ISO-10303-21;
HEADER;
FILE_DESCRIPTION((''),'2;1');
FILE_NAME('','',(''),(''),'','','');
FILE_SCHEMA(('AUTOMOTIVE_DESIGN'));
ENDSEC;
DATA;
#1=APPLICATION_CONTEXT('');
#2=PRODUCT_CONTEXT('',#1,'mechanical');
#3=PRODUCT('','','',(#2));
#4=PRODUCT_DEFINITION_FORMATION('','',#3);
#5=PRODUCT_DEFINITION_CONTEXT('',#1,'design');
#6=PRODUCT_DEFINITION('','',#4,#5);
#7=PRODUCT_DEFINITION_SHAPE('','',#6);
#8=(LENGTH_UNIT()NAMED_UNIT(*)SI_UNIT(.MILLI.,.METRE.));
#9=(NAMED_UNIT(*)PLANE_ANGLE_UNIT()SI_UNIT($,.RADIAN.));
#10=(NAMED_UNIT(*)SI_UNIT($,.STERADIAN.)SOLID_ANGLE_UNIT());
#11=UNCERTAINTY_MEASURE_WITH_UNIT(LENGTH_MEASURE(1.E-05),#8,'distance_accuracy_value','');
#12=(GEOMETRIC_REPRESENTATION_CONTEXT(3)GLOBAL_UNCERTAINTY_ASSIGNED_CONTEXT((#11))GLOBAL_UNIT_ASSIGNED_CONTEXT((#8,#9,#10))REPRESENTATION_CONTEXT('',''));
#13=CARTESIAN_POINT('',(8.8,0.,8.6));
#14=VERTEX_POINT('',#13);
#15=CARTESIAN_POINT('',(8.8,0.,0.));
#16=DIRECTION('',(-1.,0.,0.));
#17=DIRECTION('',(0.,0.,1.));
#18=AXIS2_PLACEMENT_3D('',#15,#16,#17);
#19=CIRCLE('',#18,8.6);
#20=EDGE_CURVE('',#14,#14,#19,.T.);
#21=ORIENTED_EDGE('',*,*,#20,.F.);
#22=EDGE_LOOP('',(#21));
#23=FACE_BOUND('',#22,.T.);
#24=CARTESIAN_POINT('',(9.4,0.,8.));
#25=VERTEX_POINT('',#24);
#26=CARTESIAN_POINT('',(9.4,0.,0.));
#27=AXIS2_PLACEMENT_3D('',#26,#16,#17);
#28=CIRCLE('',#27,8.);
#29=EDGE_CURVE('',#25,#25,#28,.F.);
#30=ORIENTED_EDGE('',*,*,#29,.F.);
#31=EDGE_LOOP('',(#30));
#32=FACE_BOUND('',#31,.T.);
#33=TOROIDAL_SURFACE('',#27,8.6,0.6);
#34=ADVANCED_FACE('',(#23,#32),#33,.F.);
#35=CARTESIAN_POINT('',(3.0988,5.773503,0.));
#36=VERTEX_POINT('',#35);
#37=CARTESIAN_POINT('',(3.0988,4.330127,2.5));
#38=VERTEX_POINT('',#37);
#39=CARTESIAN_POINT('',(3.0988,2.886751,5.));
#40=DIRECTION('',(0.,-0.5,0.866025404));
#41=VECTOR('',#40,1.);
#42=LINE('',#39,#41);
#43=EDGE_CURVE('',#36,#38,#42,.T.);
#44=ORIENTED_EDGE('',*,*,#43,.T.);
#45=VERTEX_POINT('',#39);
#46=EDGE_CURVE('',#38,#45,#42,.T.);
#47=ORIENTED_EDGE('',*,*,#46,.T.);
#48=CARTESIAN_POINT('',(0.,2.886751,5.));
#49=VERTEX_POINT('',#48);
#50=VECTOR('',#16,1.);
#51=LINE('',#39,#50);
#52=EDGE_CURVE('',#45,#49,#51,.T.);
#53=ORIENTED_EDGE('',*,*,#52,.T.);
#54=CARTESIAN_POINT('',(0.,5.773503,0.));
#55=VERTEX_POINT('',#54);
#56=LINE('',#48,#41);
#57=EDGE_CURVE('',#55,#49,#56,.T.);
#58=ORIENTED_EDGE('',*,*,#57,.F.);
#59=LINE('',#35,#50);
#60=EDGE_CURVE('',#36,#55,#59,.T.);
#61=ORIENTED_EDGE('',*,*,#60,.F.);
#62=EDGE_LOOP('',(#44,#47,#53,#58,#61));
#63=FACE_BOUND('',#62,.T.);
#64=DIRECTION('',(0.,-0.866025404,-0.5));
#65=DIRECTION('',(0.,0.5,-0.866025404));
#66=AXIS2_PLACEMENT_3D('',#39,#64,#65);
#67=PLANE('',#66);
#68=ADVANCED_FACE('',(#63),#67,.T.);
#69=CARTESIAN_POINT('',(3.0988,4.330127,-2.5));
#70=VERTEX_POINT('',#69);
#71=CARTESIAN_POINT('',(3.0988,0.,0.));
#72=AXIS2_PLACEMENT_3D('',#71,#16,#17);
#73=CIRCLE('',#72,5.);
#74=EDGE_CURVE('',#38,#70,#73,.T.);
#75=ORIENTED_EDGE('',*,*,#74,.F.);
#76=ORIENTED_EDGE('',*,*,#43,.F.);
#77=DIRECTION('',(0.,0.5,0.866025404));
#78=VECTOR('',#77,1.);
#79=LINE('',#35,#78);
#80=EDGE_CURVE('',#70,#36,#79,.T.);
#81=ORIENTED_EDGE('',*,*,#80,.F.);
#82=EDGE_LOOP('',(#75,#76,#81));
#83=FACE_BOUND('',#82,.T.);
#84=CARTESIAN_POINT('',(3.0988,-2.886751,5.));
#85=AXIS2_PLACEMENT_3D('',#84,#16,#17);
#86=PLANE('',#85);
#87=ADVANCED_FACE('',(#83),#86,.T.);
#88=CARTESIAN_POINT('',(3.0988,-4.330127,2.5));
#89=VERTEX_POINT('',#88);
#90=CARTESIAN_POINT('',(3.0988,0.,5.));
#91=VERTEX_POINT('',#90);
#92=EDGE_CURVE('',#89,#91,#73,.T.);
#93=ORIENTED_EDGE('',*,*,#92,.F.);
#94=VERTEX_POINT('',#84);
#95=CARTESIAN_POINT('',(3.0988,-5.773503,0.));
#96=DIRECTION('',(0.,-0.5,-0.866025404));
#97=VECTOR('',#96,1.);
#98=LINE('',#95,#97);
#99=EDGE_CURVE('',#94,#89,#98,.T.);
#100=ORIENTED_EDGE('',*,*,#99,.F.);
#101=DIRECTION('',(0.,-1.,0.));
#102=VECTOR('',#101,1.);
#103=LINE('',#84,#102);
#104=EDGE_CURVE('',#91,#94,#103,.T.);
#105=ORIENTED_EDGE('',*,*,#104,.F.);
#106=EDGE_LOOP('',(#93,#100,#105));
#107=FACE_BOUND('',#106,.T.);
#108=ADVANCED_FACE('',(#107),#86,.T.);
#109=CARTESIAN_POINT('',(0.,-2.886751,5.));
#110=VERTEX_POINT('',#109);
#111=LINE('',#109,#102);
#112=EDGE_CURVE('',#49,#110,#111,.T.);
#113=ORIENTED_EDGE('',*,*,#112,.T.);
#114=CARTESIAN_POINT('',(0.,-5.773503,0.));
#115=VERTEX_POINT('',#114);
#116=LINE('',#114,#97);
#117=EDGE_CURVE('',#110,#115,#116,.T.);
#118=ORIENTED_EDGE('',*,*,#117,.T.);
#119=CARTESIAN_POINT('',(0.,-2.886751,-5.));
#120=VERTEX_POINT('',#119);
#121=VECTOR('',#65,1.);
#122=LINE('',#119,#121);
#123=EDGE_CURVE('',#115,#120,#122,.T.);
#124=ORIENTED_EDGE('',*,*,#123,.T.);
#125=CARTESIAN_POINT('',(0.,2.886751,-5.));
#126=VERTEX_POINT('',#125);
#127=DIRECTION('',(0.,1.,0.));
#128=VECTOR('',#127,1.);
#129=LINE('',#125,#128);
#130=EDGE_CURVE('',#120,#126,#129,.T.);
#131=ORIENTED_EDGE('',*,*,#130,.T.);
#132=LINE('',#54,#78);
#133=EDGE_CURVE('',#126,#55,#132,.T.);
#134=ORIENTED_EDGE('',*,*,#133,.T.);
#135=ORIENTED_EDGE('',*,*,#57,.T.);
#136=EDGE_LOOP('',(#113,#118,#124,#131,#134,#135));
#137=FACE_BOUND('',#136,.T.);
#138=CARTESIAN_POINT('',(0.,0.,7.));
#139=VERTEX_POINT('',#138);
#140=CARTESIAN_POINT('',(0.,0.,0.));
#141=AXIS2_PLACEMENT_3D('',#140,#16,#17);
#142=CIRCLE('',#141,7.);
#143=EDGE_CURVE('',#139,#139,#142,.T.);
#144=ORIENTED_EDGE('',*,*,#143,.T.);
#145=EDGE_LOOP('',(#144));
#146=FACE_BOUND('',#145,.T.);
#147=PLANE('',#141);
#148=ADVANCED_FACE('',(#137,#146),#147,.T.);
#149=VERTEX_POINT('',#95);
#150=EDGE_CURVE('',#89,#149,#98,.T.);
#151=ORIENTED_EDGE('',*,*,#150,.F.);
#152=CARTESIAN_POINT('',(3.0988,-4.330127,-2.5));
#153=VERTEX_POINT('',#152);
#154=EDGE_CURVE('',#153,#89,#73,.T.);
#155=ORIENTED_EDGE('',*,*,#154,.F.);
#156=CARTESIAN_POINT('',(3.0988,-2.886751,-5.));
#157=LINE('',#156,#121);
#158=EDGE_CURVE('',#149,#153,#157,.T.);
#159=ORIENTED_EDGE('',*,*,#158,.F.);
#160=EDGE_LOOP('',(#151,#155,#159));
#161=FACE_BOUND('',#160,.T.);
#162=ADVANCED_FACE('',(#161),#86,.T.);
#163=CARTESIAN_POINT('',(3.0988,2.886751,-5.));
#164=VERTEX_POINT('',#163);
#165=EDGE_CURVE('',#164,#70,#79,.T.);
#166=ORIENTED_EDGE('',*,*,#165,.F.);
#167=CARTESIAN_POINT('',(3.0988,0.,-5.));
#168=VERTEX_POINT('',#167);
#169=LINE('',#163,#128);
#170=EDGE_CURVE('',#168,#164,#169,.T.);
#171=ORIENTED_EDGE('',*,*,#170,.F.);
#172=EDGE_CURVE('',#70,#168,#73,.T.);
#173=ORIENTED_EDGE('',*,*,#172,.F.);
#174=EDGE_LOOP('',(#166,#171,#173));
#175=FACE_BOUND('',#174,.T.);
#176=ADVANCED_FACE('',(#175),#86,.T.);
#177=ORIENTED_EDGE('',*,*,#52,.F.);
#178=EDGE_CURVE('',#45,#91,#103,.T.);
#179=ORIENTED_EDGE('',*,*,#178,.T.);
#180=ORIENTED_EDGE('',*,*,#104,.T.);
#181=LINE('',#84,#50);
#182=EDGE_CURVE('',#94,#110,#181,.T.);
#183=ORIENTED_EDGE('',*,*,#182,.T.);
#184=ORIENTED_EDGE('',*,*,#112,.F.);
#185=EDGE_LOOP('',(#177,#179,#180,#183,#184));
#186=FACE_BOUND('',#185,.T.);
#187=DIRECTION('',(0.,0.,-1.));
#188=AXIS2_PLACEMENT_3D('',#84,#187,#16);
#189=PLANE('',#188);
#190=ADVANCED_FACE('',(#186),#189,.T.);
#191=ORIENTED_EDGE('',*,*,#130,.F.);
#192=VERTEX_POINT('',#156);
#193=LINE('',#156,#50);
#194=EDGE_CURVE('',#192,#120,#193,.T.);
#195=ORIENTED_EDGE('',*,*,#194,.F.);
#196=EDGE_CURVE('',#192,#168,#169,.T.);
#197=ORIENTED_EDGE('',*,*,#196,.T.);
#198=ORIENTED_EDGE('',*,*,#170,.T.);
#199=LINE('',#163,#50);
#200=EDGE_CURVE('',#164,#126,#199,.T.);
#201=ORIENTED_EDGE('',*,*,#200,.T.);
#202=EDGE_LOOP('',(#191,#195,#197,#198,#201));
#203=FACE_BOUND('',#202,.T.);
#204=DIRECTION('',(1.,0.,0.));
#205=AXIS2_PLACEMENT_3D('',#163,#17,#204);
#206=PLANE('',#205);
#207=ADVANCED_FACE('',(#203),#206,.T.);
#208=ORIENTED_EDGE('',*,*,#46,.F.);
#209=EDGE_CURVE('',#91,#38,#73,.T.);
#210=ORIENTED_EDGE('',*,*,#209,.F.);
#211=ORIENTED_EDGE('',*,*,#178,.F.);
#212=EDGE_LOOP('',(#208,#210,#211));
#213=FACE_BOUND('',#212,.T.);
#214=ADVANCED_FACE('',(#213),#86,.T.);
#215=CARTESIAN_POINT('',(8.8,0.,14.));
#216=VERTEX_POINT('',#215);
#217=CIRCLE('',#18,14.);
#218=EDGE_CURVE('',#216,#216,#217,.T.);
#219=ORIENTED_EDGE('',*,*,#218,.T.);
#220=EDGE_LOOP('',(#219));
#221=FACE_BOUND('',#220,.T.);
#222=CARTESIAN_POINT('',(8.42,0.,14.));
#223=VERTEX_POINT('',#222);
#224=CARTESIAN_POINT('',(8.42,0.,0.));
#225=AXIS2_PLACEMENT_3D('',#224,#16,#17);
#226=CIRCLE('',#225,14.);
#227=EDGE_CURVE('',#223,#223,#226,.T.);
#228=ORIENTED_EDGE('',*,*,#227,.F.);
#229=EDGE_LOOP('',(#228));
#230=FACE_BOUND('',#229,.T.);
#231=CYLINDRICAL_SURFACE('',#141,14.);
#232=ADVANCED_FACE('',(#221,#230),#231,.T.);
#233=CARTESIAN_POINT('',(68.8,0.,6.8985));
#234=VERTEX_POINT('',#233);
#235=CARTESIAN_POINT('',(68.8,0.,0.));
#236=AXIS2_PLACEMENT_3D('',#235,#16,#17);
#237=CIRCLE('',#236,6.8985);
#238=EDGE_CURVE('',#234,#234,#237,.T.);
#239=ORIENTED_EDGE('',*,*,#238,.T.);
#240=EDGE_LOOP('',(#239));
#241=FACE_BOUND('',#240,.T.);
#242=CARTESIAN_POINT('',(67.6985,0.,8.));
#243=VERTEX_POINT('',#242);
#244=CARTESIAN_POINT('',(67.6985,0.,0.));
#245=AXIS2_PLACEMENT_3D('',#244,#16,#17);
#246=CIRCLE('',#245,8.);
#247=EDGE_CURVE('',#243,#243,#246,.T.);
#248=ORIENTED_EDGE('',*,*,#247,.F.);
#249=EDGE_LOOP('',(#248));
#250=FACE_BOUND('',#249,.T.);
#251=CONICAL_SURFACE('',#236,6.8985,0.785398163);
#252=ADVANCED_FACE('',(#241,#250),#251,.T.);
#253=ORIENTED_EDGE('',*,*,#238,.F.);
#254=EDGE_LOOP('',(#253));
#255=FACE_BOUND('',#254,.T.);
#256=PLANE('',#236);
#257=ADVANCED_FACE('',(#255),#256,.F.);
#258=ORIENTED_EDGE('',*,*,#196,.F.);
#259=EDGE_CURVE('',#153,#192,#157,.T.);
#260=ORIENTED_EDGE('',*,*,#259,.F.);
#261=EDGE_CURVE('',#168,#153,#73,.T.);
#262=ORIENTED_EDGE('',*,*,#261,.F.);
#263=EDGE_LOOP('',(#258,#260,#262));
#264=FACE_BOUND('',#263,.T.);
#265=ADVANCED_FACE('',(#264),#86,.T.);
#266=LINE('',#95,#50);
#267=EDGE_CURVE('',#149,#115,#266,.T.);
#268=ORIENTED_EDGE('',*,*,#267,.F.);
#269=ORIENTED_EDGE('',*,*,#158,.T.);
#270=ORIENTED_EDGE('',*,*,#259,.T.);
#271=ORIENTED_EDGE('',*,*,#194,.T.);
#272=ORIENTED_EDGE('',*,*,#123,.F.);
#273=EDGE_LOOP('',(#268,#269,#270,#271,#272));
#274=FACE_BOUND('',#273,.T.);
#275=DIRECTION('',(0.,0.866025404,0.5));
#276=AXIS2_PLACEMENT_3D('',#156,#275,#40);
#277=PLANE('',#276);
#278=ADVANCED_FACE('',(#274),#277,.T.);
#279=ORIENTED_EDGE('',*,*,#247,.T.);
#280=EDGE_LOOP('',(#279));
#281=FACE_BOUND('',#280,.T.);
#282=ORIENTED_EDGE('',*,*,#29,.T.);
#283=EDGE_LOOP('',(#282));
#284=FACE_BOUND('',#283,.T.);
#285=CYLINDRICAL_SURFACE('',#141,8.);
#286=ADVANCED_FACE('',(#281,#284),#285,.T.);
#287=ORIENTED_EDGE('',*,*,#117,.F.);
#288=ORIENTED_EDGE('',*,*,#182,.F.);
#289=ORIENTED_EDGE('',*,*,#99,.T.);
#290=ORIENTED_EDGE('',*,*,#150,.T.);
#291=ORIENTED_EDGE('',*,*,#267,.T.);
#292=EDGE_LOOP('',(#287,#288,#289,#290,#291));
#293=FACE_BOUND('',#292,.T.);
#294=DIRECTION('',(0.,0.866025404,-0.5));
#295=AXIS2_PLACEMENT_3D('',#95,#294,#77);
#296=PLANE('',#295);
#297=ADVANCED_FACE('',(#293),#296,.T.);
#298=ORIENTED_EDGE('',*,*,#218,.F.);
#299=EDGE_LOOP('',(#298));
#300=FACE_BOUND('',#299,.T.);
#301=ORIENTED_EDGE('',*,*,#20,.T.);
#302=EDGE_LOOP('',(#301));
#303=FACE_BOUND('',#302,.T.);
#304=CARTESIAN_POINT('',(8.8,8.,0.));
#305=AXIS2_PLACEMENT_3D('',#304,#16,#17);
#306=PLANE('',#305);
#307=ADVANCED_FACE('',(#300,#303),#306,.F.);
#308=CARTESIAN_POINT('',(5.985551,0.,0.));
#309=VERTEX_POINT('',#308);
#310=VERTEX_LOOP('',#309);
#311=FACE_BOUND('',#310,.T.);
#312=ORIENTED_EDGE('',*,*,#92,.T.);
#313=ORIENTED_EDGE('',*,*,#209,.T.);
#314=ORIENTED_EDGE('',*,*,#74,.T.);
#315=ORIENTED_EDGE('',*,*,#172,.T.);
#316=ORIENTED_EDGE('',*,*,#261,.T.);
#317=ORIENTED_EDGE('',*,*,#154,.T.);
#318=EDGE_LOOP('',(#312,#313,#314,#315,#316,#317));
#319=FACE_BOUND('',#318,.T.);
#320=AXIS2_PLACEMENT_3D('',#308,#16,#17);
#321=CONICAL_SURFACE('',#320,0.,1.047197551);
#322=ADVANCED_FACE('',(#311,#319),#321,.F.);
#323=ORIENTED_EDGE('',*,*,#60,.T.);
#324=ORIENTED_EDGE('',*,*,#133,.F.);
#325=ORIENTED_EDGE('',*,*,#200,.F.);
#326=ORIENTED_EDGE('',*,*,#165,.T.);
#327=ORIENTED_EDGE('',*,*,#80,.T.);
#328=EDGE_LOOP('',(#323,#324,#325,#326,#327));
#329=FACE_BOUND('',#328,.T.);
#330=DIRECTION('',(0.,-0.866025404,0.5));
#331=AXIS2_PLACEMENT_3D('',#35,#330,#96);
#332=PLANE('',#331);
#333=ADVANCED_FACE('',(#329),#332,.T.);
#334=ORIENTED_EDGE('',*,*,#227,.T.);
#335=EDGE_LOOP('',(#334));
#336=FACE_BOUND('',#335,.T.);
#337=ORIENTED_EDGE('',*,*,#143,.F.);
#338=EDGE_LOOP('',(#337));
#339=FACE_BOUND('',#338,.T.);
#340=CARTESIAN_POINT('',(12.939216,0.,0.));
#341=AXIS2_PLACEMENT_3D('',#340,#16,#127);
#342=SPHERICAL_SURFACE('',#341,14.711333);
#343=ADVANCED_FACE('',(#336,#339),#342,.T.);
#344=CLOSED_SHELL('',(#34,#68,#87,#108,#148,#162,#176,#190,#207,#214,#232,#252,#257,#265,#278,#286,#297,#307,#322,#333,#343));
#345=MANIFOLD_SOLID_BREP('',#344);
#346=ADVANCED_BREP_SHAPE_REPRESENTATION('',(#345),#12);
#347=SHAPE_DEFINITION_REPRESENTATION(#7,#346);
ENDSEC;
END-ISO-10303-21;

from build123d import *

# Parameters (mm, degrees)
FILLET1_R   = 0.6
HEX_2_DEPTH = 3.0988


with BuildPart() as part:
    # BodySke → BaseBody (revolve)
    with BuildSketch(Plane.XY):
        with BuildLine():
            Line((68.8, 0), (68.8, 6.8985))
            Line((68.8, 6.8985), (67.6985, 8))
            Line((67.6985, 8), (8.8, 8))
            Line((8.8, 8), (8.8, 14))
            Line((8.8, 14), (8.42, 14))
            ThreePointArc((8.42, 14), (3.53447189, 11.312563812), (0, 7))
            Line((0, 7), (0, 0))
            Line((0, 0), (68.8, 0))
        make_face()
    revolve(axis=Axis((0, 0, 0), (1, 0, 0)))

    # Fillet1
    fillet1_edges = [part.edges().sort_by_distance(p)[0] for p in [
        (8.8, -8, 0),
    ]]
    fillet(fillet1_edges, radius=FILLET1_R)

    # Sketch2 → PreBroach (revolve, cut)
    with BuildSketch(Plane.XY):
        Polygon((0, 5), (3.0988, 5), (5.985551346, 0), (0, 0), align=None)
    revolve(axis=Axis((0, 0, 0), (1, 0, 0)), mode=Mode.SUBTRACT)

    # Sketch3 → Hex 2 (cut)
    with BuildSketch(Plane(origin=(0, 0, 0), x_dir=(0, 0, -1), z_dir=(1, 0, 0))):
        Polygon((-5, -2.886751346), (-5, 2.886751346), (0, 5.773502692), (5, 2.886751346), (5, -2.886751346), (0, -5.773502692), align=None)
    extrude(amount=HEX_2_DEPTH, mode=Mode.SUBTRACT)


solid = part.part
